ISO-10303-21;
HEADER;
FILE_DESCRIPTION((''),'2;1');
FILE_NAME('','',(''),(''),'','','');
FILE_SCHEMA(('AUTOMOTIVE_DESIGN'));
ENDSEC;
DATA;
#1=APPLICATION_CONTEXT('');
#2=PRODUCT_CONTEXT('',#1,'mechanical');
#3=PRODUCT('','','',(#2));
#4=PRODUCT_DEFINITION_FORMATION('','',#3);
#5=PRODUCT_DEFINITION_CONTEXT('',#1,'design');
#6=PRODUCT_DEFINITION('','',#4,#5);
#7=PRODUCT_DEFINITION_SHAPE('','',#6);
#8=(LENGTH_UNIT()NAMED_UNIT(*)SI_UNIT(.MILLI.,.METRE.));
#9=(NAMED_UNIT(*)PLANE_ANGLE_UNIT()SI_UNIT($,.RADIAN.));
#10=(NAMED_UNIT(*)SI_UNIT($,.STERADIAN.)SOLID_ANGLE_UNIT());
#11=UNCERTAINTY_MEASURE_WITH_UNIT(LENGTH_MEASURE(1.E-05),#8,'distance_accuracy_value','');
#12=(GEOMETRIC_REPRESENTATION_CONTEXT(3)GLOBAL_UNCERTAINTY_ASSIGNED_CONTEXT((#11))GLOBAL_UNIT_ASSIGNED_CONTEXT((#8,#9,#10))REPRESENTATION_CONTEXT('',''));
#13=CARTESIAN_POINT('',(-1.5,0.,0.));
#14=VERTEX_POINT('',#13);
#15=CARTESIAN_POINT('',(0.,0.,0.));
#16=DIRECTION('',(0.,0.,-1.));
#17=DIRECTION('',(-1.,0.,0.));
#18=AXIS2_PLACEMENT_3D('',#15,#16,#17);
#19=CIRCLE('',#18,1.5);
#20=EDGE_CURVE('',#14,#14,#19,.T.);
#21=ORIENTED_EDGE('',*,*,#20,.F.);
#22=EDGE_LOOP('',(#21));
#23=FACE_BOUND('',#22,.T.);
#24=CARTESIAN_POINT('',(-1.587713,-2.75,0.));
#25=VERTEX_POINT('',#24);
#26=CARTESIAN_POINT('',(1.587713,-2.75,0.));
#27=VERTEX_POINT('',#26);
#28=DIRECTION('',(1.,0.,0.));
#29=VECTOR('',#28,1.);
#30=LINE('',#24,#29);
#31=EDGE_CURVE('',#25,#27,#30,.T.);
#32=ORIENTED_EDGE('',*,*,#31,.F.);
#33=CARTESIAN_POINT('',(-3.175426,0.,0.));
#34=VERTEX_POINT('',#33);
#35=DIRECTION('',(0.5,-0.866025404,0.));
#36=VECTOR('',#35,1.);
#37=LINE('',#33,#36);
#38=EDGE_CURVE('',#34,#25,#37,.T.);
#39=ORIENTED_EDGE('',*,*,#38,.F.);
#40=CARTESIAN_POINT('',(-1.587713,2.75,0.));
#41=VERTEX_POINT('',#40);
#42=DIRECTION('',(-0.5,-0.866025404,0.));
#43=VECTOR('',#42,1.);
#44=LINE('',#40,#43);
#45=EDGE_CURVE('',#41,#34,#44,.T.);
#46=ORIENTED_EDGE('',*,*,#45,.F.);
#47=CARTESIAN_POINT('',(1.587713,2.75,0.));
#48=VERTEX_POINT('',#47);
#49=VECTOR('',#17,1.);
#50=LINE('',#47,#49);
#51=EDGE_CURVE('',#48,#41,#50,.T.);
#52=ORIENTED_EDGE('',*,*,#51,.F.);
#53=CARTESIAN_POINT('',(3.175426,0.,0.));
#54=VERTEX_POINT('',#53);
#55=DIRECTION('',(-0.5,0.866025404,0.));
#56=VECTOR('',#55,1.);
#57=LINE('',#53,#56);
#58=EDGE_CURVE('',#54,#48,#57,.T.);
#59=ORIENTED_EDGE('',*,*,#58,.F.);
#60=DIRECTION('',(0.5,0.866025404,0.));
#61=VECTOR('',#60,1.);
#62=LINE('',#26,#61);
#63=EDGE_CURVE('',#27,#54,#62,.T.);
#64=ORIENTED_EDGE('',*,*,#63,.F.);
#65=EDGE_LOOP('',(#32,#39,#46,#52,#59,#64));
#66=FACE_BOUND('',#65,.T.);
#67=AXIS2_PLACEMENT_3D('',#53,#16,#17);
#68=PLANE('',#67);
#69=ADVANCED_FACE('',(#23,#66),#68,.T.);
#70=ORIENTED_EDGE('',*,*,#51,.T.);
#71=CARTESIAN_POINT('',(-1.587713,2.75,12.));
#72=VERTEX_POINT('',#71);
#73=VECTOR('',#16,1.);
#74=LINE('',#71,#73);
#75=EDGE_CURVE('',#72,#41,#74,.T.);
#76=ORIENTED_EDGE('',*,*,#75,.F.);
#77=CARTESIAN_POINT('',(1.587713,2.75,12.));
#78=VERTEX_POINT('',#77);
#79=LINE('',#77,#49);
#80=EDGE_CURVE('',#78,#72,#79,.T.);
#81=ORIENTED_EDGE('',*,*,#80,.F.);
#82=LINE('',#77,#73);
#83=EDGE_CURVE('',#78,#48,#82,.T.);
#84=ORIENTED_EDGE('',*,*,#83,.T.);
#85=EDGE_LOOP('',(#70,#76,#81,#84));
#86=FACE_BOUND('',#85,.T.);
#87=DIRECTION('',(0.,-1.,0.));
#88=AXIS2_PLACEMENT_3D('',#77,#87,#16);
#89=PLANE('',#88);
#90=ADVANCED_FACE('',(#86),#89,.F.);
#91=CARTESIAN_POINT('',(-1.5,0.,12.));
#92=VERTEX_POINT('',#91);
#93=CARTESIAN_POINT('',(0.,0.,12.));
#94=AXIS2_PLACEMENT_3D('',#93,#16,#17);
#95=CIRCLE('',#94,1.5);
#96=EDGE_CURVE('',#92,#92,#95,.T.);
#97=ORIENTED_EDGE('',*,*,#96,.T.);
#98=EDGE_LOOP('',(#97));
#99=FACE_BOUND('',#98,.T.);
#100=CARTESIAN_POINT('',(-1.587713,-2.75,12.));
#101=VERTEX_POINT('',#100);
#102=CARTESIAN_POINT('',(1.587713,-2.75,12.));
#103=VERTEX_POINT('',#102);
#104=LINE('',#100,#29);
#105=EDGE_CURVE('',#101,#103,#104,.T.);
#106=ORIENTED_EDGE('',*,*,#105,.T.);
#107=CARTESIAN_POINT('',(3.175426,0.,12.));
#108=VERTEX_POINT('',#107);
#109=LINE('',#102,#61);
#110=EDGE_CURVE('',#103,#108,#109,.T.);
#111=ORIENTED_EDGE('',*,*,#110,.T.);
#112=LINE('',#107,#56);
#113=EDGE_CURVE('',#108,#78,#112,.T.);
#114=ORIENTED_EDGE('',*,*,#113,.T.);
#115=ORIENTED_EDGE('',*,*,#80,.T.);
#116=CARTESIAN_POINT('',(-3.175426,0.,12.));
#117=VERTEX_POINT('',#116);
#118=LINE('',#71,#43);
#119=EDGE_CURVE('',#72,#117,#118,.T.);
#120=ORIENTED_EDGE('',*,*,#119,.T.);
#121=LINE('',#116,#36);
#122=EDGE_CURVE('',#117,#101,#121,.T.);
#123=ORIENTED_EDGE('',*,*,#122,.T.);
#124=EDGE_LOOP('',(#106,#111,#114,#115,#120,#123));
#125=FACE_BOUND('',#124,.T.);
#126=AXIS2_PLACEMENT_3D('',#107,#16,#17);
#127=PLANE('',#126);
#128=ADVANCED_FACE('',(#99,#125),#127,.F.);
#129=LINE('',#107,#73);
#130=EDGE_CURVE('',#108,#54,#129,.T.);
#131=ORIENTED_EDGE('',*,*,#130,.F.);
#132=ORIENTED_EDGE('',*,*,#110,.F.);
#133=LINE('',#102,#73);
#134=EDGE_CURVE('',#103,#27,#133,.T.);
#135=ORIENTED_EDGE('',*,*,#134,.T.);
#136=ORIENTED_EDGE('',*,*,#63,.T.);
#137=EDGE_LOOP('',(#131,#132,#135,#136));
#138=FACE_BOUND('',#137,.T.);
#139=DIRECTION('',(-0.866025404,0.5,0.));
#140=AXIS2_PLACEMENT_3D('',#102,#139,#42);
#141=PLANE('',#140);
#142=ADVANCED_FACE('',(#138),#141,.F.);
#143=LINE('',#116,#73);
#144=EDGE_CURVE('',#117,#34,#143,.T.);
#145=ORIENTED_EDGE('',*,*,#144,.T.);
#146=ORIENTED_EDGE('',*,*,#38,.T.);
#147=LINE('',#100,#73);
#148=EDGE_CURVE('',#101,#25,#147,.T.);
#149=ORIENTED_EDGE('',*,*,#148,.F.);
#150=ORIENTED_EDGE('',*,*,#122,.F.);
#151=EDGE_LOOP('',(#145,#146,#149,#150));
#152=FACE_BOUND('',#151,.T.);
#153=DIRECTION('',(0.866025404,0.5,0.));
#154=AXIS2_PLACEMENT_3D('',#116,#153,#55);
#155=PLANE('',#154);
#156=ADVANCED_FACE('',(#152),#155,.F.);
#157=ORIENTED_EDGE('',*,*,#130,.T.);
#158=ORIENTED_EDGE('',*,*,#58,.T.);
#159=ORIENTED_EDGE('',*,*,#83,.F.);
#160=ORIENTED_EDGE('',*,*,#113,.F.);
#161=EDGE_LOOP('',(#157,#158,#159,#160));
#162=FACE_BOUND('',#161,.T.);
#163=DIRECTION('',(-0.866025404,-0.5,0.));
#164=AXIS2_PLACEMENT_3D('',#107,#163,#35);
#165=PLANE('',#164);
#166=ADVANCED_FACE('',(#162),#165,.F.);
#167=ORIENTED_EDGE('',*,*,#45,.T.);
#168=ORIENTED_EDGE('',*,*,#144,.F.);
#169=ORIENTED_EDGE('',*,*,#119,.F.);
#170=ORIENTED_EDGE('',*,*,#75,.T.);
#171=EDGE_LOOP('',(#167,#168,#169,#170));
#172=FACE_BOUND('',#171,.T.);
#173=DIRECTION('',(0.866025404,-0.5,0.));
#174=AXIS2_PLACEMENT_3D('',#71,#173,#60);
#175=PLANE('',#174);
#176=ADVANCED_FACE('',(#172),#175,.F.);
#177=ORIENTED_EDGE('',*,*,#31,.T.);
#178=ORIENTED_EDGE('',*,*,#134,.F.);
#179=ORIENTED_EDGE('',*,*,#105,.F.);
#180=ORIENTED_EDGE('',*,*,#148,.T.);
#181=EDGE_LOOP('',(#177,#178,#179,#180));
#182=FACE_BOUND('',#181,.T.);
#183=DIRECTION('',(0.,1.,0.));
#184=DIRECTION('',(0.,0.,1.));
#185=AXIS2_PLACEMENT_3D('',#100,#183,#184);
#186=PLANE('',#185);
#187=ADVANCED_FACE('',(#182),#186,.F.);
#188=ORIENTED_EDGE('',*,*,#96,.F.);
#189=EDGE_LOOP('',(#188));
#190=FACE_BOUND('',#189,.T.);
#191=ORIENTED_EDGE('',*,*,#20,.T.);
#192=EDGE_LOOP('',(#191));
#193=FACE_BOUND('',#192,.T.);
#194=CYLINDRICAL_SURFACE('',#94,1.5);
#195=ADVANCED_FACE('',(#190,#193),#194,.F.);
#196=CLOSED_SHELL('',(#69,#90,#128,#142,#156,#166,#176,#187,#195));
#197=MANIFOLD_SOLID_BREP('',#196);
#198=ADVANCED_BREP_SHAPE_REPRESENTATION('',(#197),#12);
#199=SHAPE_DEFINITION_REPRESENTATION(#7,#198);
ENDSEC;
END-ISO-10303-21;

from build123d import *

# Parameters (mm, degrees)
BASE_EXTRUSION_DEPTH    = 12
ESQUISSE3_R             = 1.5
ENL_V_MAT_EXTRU_1_DEPTH = 13.714001468


with BuildPart() as part:
    # Esquisse1 → Base-Extrusion (new body)
    with BuildSketch(Plane.XY):
        Polygon((1.58771324, 2.75), (-1.58771324, 2.75), (-3.175426481, 0), (-1.58771324, -2.75), (1.58771324, -2.75), (3.175426481, 0), align=None)
    extrude(amount=BASE_EXTRUSION_DEPTH)

    # Esquisse3 → Enlèv. mat.-Extru.1 (cut, through all)
    with BuildSketch(Plane(origin=(0, 0, 0), x_dir=(-1, 0, 0), z_dir=(0, 0, -1))):
        Circle(ESQUISSE3_R)
    extrude(amount=-ENL_V_MAT_EXTRU_1_DEPTH, mode=Mode.SUBTRACT)


solid = part.part
